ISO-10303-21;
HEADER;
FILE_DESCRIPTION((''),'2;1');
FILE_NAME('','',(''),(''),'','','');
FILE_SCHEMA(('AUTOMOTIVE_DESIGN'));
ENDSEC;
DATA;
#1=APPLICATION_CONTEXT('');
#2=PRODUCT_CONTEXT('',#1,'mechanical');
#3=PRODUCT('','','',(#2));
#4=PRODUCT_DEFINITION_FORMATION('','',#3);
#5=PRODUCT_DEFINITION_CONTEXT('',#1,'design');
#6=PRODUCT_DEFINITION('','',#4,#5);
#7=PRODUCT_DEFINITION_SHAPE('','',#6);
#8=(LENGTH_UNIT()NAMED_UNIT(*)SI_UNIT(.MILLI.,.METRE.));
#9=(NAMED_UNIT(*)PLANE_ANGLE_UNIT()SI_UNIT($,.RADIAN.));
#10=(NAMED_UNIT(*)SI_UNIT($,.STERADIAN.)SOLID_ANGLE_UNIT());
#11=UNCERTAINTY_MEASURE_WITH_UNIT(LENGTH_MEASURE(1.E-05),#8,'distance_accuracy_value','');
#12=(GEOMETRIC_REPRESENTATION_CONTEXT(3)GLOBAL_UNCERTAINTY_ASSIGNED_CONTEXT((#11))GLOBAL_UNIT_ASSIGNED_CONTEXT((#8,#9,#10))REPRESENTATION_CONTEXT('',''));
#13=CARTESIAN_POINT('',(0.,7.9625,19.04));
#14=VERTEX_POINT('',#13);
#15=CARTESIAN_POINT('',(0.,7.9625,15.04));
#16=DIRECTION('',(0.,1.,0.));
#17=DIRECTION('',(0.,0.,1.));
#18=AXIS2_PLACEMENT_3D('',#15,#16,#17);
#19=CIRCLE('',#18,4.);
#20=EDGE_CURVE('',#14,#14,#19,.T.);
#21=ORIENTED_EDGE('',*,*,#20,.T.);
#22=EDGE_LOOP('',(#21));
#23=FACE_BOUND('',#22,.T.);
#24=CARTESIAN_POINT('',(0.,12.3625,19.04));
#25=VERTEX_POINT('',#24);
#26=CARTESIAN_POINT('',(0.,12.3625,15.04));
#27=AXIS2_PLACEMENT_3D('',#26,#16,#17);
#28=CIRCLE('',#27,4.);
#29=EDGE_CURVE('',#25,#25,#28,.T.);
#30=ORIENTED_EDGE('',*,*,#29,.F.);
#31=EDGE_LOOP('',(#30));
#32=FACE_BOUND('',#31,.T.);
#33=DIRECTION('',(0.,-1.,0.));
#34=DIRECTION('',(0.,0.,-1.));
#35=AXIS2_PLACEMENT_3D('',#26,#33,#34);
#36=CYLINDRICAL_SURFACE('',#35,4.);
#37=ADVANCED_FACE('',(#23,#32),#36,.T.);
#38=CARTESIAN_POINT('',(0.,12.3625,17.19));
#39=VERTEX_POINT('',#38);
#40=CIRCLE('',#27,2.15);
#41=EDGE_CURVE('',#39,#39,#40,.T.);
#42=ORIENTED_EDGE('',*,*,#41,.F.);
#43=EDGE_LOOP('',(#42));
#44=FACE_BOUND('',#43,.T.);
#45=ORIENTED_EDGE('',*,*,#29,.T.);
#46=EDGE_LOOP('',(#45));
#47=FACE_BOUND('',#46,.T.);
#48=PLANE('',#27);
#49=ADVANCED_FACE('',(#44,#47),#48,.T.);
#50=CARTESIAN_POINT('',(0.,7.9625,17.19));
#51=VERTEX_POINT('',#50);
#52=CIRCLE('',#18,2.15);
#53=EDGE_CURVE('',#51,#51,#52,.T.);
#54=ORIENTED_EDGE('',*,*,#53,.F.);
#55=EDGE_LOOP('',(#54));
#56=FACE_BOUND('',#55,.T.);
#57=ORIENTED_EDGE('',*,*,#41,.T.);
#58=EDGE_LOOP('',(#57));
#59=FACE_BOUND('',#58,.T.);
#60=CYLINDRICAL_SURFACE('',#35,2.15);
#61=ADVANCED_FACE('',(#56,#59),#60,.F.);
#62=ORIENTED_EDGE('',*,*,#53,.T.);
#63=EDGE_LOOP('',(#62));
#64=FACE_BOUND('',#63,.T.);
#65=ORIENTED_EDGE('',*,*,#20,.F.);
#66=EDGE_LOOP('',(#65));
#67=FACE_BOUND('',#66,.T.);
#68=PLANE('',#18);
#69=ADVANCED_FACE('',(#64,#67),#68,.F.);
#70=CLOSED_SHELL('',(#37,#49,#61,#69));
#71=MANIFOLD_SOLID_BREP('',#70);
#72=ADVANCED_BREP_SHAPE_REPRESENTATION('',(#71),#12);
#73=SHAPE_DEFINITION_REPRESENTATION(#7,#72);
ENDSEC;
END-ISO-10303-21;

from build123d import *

# Parameters (mm, degrees)
SPACER_SKETCH_R   = 4
SPACER_SKETCH_R_2 = 2.15
SPACER_DEPTH      = 2.2


with BuildPart() as part:
    # Spacer Sketch → Spacer (new, symmetric)
    with BuildSketch(Plane(origin=(0, 10.1625, 0), x_dir=(1, 0, 0), z_dir=(0, 1, 0))):
        with Locations((0, -15.04)):
            Circle(SPACER_SKETCH_R)
        with Locations((0, -15.04)):
            Circle(SPACER_SKETCH_R_2, mode=Mode.SUBTRACT)
    extrude(amount=SPACER_DEPTH, both=True)


solid = part.part
